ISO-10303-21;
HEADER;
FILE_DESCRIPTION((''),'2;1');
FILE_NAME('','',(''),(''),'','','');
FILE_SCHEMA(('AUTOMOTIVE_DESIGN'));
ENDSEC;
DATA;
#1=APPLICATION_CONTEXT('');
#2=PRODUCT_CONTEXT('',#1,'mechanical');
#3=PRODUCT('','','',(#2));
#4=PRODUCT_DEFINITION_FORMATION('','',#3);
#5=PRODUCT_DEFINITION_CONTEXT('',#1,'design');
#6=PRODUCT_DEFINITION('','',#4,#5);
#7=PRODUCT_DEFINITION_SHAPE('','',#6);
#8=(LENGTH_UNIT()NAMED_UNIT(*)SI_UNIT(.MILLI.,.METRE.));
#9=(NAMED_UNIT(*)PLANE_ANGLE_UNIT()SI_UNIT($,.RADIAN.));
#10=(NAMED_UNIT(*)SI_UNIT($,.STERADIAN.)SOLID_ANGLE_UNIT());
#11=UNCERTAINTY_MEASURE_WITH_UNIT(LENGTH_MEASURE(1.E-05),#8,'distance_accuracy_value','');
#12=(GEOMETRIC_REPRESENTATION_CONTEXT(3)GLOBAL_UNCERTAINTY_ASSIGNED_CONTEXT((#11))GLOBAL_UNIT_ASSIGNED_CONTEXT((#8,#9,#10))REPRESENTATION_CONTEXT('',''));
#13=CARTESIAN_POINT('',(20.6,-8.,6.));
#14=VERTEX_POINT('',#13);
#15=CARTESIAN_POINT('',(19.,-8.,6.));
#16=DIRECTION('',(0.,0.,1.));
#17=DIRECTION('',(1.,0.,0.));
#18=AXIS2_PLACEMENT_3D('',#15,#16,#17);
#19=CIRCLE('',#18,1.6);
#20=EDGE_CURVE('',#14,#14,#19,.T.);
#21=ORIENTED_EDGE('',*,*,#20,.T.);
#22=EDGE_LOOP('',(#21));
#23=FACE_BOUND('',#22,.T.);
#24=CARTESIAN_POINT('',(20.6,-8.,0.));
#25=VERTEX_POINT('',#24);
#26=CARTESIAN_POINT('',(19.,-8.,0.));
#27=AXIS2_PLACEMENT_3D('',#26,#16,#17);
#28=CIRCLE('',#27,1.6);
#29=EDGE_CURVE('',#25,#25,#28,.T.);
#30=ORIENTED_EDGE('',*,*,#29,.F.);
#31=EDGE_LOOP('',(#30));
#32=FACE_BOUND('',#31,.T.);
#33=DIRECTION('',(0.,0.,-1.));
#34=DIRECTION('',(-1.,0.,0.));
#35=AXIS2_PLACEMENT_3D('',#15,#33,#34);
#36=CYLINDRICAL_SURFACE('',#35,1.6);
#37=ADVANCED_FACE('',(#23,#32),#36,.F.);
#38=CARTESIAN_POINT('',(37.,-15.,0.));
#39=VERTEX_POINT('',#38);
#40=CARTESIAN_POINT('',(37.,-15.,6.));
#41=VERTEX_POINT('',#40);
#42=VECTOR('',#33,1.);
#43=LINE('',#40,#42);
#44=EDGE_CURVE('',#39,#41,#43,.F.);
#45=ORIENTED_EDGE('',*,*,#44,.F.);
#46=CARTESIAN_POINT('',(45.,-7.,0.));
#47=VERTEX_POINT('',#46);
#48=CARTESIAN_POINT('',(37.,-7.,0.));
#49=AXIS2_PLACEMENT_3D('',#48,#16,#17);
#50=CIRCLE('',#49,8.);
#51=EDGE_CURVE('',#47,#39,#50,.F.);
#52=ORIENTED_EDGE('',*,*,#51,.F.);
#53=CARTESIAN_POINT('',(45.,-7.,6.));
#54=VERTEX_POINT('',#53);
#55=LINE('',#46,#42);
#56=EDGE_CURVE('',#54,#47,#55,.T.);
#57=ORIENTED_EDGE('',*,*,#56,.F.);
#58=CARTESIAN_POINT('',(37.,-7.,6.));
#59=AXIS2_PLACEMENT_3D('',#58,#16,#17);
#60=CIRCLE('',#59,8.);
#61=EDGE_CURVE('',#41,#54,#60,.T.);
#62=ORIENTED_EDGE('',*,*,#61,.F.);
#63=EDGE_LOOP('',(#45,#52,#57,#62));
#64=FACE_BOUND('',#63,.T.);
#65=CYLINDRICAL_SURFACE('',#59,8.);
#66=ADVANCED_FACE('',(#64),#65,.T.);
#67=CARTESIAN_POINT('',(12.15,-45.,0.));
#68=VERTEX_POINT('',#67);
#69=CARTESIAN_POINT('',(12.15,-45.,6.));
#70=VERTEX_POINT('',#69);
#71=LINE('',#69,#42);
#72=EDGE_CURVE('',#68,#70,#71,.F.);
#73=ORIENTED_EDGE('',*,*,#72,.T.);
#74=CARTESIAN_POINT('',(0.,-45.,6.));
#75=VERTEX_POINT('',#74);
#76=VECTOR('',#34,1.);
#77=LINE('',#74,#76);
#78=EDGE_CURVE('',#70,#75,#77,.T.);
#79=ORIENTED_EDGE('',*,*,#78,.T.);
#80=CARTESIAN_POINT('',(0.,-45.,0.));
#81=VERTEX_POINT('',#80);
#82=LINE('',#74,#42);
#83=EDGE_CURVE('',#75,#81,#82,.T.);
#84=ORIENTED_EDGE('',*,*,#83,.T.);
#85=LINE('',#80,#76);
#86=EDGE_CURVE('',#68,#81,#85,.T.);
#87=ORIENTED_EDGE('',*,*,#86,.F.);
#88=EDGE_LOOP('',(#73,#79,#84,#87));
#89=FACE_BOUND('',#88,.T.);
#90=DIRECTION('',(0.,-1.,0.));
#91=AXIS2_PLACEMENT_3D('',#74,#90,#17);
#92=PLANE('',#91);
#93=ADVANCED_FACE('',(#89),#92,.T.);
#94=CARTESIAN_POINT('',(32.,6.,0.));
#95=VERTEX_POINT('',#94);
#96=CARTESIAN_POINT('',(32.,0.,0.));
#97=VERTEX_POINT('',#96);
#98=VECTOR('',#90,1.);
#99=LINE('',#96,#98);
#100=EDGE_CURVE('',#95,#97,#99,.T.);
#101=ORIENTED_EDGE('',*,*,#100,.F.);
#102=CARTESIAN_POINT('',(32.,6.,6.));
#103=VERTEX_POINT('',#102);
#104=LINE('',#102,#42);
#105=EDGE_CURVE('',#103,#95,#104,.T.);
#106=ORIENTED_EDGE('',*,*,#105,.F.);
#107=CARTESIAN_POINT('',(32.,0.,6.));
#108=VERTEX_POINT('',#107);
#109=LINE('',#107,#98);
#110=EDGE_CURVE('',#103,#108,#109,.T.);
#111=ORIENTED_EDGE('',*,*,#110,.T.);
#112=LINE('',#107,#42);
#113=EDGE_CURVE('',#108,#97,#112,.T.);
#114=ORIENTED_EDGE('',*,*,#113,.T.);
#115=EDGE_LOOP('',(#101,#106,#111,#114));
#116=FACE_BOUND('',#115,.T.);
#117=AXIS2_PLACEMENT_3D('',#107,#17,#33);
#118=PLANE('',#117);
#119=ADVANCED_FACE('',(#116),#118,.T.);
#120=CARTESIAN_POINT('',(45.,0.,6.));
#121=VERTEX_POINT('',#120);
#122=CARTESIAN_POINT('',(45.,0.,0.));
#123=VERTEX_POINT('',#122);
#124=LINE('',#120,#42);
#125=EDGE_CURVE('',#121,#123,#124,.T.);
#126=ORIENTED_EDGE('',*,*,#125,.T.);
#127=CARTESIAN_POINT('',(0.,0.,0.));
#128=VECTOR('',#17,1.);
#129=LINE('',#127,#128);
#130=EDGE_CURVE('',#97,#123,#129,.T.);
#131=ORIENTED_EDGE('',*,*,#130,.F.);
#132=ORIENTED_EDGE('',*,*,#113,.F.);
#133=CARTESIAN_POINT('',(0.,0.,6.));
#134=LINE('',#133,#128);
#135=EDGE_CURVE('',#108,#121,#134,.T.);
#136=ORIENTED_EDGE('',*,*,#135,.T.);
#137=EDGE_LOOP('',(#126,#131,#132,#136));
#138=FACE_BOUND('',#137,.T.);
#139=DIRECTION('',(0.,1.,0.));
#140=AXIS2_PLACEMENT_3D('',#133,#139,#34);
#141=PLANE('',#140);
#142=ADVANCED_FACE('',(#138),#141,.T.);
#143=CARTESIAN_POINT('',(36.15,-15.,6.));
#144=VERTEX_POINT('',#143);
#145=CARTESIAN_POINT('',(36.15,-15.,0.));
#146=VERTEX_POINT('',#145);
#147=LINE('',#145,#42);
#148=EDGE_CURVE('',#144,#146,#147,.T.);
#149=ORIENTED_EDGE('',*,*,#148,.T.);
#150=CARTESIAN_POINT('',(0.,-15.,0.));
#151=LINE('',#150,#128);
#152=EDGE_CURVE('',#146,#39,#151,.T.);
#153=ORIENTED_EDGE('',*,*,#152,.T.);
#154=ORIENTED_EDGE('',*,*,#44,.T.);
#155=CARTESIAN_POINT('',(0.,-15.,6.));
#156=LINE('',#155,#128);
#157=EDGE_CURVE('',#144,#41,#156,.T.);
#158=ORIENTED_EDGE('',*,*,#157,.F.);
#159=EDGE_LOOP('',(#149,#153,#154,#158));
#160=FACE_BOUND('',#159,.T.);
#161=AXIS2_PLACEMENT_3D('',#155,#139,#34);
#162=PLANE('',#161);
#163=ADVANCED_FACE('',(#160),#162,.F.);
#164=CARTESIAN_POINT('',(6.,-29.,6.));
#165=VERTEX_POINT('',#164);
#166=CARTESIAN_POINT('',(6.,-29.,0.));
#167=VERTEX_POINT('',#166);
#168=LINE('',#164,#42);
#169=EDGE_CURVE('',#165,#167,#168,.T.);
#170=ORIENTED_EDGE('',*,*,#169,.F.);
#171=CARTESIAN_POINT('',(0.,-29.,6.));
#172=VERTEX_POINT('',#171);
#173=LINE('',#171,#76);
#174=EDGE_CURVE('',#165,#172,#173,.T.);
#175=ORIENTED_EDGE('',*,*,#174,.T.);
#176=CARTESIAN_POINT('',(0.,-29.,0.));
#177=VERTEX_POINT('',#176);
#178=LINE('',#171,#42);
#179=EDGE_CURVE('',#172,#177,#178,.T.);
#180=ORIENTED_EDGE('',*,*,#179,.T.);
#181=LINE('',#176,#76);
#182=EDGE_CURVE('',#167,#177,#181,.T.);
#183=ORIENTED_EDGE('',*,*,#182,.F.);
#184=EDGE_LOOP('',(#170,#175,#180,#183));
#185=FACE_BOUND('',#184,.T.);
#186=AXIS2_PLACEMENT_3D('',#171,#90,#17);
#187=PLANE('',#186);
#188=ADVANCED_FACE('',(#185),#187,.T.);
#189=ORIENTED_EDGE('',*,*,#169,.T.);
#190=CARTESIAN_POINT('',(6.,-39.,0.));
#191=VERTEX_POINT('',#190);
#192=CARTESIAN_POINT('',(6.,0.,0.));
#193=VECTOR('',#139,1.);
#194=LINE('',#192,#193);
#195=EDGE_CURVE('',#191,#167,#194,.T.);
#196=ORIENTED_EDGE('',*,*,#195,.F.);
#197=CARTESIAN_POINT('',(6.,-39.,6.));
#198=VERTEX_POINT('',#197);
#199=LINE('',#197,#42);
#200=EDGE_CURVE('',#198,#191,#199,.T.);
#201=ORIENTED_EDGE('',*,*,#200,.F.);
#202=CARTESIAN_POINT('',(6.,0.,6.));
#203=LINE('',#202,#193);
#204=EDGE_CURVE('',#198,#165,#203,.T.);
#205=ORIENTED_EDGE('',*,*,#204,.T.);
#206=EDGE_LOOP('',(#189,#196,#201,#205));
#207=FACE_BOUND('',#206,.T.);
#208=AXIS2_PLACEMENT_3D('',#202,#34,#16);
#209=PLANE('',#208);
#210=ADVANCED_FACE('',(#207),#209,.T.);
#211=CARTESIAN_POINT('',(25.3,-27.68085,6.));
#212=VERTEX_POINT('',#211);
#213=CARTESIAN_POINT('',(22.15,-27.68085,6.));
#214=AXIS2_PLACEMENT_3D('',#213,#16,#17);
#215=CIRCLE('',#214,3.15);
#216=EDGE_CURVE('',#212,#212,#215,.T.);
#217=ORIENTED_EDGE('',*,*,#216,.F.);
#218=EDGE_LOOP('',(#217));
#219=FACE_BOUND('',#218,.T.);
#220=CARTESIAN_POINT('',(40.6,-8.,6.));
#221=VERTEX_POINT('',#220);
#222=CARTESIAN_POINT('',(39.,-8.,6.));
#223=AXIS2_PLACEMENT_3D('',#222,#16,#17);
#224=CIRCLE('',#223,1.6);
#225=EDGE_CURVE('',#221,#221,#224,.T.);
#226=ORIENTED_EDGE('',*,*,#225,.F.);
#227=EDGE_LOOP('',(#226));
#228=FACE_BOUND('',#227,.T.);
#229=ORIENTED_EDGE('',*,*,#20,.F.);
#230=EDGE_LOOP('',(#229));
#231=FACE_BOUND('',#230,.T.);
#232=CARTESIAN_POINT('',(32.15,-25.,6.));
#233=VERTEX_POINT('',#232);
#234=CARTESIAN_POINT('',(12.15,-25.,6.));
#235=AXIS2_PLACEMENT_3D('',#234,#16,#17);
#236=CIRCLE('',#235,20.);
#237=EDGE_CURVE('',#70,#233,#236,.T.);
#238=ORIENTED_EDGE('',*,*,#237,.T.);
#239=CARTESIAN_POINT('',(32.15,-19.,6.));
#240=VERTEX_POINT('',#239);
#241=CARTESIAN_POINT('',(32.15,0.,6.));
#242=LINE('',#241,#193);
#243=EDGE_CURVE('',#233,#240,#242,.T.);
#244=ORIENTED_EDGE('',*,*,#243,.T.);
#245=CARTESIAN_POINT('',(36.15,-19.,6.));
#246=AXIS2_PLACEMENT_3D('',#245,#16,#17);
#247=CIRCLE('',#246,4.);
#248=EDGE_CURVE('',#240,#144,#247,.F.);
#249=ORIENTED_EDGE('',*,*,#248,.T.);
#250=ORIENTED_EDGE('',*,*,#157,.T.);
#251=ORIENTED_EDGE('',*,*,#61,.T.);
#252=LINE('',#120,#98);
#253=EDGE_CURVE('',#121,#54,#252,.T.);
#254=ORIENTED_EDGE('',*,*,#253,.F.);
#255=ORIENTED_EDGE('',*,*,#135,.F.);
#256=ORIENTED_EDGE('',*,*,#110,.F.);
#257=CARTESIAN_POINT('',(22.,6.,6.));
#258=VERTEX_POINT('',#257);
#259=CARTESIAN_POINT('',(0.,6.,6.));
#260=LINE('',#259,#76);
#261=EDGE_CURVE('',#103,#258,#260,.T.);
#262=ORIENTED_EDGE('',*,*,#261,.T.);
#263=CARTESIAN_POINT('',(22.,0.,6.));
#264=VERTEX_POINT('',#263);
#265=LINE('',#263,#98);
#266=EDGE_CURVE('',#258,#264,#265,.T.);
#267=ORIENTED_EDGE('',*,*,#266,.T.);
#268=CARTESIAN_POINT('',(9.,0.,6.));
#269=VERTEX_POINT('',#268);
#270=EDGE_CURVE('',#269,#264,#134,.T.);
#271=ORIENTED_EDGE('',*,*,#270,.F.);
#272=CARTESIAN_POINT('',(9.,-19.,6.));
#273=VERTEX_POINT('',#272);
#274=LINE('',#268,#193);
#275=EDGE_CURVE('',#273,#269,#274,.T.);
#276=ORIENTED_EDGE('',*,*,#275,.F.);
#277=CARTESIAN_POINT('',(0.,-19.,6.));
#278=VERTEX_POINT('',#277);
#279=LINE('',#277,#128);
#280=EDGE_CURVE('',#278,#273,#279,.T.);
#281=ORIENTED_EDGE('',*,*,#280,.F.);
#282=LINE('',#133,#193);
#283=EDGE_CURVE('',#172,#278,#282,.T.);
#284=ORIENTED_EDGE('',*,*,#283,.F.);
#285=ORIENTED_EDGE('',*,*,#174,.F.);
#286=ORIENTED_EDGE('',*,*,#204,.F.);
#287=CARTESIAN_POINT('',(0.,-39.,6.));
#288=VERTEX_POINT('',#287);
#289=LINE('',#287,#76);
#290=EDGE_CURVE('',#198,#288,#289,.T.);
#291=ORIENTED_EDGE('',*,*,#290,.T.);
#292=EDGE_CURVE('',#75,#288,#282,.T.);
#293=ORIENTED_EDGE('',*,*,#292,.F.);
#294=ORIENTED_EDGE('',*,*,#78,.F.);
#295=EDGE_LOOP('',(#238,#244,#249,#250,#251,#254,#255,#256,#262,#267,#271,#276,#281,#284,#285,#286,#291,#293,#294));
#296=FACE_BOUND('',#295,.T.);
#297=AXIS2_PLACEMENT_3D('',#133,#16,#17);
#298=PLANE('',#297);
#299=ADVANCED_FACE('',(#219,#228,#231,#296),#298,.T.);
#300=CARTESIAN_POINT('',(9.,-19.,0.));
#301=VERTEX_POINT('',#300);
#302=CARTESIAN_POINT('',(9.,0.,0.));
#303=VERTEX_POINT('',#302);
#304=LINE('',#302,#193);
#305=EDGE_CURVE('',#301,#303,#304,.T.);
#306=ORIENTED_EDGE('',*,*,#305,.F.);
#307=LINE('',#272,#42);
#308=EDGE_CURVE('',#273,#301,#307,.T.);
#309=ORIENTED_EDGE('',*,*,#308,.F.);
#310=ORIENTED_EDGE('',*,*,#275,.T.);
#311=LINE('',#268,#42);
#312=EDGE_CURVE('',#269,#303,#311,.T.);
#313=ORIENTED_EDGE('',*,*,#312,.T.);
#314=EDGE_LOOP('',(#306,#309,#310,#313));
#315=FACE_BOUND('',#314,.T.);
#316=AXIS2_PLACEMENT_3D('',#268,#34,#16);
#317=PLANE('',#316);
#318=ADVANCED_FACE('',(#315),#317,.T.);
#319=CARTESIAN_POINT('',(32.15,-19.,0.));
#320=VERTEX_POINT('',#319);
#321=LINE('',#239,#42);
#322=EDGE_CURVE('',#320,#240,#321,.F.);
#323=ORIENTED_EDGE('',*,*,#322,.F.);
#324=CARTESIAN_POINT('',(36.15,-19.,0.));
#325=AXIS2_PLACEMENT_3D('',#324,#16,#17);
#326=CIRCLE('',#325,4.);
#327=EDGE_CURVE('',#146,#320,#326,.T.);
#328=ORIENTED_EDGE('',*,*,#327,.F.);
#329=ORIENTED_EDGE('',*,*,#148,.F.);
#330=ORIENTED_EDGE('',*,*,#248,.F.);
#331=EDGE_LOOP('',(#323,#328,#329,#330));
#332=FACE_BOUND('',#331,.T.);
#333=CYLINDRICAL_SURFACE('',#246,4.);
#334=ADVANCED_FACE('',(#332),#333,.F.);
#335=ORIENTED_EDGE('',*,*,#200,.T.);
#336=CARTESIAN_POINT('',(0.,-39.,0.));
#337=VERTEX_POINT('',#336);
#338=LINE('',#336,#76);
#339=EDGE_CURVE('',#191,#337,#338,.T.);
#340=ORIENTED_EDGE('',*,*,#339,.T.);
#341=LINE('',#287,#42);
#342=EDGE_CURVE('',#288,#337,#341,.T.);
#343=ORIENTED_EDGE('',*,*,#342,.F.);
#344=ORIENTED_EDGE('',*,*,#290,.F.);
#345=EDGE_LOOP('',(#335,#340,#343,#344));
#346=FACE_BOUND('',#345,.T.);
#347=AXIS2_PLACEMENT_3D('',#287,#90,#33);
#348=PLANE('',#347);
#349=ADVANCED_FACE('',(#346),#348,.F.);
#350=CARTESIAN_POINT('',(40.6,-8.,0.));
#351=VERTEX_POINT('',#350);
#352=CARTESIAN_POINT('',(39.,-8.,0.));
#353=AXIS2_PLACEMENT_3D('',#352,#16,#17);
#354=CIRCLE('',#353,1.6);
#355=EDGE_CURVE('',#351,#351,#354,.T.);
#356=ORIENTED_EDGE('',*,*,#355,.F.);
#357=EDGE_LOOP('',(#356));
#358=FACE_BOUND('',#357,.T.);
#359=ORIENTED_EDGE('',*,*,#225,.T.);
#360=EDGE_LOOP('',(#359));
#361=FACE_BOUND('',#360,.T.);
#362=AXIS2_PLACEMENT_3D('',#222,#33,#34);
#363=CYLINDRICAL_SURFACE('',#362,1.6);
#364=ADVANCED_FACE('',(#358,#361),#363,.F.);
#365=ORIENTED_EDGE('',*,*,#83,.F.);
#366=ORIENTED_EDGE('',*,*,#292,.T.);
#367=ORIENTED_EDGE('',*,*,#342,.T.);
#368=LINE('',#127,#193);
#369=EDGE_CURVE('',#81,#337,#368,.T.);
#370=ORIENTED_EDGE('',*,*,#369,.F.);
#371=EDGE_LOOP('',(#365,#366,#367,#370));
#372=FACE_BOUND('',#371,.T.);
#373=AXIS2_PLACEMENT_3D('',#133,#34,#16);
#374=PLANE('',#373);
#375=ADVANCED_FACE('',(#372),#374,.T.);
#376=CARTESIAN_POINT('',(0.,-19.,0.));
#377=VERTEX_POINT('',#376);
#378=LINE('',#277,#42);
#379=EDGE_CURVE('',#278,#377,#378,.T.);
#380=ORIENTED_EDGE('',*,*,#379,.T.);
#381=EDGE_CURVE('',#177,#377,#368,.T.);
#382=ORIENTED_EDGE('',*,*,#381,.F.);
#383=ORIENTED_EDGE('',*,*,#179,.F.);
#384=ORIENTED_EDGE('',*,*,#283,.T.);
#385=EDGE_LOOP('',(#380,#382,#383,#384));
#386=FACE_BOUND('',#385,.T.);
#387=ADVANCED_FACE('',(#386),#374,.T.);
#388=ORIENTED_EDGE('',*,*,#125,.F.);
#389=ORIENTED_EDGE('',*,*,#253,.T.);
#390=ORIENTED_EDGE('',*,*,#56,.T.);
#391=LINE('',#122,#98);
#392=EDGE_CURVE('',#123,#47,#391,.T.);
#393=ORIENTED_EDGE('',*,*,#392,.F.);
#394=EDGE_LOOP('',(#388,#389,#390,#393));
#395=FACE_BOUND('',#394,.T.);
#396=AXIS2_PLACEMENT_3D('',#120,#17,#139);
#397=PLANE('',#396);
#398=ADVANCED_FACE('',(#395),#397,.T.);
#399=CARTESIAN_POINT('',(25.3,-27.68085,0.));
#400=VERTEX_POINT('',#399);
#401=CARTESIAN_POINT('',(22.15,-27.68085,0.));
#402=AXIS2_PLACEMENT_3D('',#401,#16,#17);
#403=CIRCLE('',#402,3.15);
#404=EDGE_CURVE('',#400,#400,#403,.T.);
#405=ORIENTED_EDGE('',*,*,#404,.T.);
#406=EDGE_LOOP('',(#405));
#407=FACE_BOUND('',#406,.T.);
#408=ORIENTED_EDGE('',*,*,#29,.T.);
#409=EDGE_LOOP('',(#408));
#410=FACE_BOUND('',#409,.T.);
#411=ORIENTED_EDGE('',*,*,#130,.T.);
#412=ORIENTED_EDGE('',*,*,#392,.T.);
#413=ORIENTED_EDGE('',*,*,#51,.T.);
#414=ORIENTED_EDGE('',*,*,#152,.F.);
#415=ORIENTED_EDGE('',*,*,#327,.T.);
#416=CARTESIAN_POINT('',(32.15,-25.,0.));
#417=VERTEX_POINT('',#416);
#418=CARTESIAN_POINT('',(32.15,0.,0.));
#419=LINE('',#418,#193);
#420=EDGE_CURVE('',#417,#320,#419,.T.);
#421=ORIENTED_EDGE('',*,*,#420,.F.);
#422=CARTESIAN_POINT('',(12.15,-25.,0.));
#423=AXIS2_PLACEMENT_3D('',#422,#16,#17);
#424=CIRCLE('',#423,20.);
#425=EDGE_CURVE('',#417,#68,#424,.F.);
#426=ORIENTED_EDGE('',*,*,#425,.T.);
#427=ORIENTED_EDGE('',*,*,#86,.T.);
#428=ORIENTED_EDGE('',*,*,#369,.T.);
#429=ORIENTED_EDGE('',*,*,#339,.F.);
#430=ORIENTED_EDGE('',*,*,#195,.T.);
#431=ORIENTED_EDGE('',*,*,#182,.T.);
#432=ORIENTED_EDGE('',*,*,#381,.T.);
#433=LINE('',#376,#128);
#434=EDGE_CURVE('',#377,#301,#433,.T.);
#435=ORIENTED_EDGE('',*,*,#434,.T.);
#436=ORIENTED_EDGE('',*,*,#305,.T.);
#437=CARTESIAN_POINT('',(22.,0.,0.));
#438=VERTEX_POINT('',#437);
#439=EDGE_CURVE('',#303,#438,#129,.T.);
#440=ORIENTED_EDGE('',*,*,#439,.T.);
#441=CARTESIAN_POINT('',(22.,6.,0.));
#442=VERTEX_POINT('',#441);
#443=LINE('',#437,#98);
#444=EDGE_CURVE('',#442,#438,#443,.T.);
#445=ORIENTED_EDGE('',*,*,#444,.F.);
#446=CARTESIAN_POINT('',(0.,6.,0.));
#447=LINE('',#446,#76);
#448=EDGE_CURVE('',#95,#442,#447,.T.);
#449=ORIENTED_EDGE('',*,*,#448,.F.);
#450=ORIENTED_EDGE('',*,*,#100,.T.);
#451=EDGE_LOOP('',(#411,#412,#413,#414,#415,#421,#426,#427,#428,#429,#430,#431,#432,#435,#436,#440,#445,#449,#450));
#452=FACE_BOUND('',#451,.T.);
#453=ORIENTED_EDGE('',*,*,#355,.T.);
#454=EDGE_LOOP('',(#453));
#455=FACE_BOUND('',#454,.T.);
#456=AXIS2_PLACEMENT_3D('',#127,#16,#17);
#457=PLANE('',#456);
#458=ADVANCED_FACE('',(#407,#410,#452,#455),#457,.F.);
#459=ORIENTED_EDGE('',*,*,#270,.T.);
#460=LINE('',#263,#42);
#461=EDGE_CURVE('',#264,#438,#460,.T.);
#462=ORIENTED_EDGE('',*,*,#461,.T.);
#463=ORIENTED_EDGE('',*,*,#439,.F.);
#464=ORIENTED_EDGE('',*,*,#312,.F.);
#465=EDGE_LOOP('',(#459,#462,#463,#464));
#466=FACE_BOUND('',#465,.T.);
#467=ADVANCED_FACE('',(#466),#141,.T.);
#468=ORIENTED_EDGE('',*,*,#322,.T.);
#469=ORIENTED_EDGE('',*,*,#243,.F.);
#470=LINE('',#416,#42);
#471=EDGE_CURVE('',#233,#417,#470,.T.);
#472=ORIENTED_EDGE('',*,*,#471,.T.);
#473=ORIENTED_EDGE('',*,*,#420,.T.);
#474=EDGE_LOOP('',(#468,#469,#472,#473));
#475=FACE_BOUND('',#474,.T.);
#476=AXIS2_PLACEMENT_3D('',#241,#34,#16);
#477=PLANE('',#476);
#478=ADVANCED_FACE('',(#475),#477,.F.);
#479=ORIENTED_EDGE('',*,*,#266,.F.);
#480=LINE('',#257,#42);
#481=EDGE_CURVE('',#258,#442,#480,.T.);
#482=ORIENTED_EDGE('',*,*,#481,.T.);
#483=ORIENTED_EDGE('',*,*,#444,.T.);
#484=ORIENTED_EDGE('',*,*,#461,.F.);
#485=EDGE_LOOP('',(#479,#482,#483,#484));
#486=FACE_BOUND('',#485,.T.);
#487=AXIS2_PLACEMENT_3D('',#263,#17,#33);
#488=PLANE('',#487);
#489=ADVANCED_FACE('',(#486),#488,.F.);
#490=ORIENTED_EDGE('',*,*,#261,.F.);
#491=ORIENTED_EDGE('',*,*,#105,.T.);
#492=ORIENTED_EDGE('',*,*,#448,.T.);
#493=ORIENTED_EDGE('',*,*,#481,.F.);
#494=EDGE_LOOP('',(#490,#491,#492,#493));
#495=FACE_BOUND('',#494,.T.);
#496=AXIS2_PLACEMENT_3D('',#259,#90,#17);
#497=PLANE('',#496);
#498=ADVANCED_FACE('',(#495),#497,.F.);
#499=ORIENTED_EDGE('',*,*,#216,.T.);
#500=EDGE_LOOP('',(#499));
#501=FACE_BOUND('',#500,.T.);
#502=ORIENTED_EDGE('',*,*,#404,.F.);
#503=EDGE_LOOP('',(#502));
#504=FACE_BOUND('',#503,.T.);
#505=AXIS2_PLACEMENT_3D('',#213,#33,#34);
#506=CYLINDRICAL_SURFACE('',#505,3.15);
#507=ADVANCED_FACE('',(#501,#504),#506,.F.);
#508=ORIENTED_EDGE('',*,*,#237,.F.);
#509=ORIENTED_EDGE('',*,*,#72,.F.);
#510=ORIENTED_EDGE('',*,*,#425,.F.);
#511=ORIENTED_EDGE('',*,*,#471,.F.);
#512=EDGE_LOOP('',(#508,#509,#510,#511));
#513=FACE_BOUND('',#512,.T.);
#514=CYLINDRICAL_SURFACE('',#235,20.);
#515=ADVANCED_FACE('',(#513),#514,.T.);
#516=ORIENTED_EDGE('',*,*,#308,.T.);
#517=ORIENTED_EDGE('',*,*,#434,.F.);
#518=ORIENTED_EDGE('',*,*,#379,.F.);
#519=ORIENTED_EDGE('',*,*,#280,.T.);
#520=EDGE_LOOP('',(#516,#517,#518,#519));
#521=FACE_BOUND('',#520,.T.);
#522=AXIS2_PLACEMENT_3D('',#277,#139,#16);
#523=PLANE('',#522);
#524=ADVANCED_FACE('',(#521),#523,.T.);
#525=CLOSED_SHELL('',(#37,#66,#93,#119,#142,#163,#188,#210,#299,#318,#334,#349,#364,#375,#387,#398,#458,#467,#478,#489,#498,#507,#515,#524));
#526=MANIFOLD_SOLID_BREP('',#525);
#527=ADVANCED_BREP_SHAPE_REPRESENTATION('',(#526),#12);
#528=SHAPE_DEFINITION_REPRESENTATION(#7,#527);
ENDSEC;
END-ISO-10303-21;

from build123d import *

# Parameters (mm, degrees)
ESBO_O1_R                = 3.15
ESBO_O1_R_2              = 1.6
RESSALTO_EXTRUS_O1_DEPTH = 6
FILETE2_R                = 8
FILETE3_R                = 4
FILETE4_R                = 20


with BuildPart() as part:
    # Esboço1 → Ressalto-extrusão1 (new body)
    with BuildSketch(Plane.XY):
        Polygon((22, 0), (9, 0), (9, -19), (0, -19), (0, -29), (6, -29), (6, -39), (0, -39), (0, -45), (32.15, -45), (32.15, -15), (45, -15), (45, 0), (32, 0), (32, 6), (22, 6), align=None)
        with Locations((22.15, -27.680849585)):
            Circle(ESBO_O1_R, mode=Mode.SUBTRACT)
        with Locations((19, -8)):
            Circle(ESBO_O1_R_2, mode=Mode.SUBTRACT)
        with Locations((39, -8)):
            Circle(ESBO_O1_R_2, mode=Mode.SUBTRACT)
    extrude(amount=RESSALTO_EXTRUS_O1_DEPTH)

    # Filete2
    filete2_edges = [part.edges().sort_by_distance(p)[0] for p in [
        (45, -15, 3),
    ]]
    fillet(filete2_edges, radius=FILETE2_R)

    # Filete3
    filete3_edges = [part.edges().sort_by_distance(p)[0] for p in [
        (32.15, -15, 3),
    ]]
    fillet(filete3_edges, radius=FILETE3_R)

    # Filete4
    filete4_edges = [part.edges().sort_by_distance(p)[0] for p in [
        (32.15, -45, 3),
    ]]
    fillet(filete4_edges, radius=FILETE4_R)


solid = part.part
